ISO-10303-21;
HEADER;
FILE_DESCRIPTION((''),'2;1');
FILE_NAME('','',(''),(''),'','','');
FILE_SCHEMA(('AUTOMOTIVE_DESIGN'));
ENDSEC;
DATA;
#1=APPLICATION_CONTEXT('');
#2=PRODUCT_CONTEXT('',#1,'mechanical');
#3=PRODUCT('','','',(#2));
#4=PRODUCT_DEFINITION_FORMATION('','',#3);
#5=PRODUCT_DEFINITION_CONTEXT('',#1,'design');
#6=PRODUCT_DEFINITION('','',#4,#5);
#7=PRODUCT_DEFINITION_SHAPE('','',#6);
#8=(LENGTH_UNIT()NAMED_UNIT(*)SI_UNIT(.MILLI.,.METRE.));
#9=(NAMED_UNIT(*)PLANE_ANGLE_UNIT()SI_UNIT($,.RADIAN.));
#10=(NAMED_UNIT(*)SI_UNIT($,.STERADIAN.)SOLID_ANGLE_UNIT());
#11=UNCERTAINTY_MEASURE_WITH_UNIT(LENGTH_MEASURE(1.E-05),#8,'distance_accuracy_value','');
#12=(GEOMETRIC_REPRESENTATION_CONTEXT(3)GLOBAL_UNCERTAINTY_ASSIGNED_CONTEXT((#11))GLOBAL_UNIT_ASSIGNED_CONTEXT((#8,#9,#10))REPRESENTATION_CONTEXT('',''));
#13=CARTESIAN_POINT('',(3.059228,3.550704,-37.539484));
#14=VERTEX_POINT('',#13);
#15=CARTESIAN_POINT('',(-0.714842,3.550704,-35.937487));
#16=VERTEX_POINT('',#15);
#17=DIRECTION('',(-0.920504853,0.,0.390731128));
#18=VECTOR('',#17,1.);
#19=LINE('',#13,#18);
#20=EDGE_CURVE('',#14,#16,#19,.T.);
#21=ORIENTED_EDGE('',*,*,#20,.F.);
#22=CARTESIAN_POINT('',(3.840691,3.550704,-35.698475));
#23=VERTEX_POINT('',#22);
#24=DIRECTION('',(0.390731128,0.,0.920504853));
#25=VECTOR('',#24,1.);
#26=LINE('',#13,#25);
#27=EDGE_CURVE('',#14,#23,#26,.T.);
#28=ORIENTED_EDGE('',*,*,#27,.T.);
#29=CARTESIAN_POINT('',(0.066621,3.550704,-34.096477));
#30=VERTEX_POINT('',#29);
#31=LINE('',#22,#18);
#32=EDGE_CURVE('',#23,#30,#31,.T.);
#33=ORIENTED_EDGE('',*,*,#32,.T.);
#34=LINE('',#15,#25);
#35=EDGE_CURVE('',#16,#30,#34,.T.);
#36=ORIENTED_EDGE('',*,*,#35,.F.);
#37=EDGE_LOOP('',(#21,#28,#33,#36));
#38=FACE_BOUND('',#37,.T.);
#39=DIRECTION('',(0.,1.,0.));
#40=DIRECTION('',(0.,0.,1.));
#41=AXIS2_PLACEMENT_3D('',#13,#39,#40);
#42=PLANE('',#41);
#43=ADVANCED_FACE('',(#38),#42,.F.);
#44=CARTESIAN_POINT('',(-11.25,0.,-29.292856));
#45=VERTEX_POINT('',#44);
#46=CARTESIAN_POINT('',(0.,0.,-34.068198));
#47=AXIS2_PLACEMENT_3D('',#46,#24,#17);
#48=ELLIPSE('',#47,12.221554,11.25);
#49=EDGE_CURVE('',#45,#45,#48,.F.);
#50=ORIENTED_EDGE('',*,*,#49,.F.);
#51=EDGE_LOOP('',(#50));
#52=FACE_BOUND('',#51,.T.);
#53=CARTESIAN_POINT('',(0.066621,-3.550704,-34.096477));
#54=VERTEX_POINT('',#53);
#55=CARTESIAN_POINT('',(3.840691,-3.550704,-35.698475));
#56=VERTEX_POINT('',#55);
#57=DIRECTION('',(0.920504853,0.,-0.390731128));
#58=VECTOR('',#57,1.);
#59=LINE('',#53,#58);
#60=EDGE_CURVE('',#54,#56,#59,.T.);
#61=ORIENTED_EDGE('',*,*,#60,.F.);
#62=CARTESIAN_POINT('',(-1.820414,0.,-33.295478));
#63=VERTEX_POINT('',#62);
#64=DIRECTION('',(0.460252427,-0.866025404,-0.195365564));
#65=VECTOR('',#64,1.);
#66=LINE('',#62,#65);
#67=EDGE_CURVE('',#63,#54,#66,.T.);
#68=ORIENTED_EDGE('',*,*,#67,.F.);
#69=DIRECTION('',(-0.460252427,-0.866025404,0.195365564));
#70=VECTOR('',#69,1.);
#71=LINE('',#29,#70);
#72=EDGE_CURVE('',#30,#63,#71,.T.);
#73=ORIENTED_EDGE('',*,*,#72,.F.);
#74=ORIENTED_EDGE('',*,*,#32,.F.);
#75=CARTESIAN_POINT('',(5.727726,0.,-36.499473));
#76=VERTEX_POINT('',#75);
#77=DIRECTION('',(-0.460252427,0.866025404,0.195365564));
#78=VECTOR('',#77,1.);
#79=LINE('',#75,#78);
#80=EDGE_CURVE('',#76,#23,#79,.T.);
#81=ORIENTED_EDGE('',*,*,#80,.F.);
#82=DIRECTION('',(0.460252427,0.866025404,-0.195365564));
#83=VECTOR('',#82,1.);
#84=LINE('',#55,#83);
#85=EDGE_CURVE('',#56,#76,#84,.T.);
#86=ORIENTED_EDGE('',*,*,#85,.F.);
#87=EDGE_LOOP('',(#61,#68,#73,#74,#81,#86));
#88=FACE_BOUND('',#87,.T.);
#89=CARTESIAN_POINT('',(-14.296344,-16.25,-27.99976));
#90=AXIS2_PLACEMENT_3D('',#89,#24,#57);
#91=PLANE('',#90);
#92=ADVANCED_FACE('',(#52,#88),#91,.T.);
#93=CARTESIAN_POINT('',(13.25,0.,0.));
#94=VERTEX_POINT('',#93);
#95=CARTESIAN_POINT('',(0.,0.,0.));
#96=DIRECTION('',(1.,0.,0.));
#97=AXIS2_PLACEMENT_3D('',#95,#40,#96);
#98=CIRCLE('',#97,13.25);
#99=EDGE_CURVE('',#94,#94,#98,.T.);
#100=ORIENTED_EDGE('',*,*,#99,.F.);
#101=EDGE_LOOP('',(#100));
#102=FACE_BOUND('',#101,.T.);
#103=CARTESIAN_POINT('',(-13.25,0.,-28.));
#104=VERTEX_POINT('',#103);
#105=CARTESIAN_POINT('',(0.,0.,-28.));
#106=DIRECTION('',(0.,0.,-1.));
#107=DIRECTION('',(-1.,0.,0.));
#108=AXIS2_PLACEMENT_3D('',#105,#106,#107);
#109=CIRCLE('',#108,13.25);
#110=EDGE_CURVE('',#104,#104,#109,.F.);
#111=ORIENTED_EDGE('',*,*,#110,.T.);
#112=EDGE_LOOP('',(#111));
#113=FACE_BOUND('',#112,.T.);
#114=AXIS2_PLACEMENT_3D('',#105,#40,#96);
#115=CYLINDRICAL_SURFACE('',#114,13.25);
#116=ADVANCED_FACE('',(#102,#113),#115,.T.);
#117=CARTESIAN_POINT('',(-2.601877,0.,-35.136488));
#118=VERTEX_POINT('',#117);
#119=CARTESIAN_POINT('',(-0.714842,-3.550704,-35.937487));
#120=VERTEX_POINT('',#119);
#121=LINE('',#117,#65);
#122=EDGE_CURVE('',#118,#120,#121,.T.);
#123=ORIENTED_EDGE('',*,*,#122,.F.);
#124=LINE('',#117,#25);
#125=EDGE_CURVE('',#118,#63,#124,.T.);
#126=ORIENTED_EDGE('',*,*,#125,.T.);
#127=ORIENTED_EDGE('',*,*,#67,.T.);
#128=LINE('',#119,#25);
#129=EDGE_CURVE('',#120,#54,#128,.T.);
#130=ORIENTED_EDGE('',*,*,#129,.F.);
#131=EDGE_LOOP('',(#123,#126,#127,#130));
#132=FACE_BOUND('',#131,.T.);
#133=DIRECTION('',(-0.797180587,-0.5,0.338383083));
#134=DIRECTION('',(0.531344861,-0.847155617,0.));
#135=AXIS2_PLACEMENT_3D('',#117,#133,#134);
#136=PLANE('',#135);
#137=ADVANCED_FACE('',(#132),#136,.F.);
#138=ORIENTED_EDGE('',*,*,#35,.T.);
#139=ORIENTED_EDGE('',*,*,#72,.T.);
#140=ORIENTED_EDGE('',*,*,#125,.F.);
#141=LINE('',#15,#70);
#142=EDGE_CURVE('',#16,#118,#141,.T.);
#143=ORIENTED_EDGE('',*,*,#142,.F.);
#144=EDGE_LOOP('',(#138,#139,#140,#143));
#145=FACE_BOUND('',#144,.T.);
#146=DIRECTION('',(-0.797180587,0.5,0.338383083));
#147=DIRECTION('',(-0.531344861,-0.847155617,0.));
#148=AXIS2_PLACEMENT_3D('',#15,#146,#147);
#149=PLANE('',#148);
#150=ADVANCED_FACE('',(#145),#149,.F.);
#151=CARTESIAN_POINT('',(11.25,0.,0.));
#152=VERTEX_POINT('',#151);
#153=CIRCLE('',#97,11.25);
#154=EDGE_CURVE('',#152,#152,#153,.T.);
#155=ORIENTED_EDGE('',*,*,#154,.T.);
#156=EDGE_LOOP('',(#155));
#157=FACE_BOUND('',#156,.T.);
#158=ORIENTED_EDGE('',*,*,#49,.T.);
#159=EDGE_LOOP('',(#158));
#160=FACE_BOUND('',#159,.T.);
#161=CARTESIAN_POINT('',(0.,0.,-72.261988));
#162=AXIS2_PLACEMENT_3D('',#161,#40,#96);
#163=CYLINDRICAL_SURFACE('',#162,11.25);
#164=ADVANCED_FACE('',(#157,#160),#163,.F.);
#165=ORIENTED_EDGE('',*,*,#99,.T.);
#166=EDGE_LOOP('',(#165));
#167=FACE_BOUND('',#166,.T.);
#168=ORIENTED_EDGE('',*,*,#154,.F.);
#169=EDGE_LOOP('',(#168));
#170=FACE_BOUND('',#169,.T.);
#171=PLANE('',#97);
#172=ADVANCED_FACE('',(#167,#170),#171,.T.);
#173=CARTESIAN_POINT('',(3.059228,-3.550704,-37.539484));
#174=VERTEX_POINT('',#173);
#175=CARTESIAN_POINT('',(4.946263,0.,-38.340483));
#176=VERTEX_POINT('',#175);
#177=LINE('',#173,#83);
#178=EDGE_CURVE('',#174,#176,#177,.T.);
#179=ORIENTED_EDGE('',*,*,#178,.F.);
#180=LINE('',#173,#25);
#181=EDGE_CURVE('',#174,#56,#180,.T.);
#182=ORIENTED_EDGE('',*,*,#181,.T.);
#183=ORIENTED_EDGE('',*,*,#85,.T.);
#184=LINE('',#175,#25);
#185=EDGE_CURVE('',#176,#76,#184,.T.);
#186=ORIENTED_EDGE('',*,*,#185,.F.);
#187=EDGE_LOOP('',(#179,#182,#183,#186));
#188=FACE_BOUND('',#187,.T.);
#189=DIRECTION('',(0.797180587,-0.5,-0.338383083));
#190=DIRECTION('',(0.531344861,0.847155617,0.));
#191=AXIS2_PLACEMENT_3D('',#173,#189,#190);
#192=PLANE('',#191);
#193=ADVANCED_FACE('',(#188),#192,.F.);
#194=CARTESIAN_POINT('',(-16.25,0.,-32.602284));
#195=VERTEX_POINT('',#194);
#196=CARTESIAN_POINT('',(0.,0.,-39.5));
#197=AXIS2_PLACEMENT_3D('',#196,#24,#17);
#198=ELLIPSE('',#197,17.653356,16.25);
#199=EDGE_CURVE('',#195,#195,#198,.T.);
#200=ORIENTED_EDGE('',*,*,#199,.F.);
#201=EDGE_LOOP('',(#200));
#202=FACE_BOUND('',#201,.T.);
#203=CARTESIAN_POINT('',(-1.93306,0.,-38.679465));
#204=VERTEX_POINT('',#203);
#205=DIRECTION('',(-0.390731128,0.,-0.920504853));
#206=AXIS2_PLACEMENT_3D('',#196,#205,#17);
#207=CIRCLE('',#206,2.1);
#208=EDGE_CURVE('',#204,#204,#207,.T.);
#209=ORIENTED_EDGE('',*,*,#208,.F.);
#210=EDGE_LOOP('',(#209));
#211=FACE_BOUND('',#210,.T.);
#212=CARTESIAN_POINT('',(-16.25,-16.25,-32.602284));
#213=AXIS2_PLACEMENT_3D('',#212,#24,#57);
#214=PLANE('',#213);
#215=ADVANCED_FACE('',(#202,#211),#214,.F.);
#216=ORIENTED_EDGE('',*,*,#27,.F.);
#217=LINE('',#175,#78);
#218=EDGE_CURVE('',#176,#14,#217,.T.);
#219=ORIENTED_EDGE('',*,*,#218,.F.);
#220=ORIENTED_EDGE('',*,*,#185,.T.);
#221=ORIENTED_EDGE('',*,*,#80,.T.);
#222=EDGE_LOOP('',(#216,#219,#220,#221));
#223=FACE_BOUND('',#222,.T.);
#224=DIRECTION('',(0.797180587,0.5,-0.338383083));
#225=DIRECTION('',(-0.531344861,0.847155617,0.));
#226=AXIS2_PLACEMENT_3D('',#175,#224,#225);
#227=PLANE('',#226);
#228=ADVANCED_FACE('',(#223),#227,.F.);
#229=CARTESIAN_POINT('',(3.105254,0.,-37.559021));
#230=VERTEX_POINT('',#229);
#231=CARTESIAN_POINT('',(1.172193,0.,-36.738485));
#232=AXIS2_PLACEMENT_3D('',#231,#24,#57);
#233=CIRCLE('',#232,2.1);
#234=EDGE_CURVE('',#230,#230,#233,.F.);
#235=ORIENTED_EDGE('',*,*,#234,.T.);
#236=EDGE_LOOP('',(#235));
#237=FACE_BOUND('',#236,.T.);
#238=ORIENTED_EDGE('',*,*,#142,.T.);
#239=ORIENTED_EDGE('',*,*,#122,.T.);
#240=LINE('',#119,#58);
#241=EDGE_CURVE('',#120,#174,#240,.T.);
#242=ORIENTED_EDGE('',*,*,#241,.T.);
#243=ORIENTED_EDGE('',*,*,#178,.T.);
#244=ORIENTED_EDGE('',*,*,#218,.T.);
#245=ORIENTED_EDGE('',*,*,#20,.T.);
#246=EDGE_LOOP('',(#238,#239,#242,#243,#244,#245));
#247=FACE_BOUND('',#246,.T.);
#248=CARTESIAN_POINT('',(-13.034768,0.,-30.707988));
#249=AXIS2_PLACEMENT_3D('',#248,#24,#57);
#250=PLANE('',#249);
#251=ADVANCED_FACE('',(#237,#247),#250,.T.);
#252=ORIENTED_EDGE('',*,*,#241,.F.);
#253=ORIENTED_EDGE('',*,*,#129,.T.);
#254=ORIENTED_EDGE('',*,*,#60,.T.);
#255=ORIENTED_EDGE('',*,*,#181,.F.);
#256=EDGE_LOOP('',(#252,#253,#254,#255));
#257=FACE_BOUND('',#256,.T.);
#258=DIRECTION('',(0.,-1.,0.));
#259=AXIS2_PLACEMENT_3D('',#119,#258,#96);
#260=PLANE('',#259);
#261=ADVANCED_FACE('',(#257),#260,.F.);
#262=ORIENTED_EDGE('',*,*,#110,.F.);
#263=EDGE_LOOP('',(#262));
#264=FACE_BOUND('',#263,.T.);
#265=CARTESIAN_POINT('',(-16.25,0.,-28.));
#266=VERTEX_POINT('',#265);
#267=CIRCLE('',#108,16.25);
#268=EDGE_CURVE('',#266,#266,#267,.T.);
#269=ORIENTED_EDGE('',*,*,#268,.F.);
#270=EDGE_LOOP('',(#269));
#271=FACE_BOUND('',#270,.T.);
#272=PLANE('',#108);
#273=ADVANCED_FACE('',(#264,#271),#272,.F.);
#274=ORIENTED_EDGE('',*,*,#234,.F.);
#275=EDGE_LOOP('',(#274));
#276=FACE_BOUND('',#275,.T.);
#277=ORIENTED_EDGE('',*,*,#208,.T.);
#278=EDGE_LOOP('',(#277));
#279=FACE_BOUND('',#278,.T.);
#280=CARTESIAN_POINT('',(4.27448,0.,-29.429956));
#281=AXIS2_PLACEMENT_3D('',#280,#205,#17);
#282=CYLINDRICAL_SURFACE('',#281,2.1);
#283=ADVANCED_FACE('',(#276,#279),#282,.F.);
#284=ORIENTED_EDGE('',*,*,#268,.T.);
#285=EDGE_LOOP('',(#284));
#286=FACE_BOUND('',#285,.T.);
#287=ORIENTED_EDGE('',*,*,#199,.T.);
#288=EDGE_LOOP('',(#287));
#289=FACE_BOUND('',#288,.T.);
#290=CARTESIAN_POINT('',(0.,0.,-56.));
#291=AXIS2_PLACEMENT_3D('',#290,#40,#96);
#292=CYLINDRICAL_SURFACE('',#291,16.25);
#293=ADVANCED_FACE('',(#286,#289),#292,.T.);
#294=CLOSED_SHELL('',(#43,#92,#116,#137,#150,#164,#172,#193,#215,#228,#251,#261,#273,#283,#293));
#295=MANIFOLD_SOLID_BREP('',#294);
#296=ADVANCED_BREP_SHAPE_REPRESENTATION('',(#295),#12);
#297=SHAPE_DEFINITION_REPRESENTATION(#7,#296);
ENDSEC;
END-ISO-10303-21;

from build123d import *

# Parameters (mm, degrees)
SKETCH2_R               = 13.25
BOSS_EXTRUDE1_DEPTH     = 28
SKETCH3_R               = 16.25
BOSS_EXTRUDE2_DEPTH     = 28
CUT_EXTRUDE1_DEPTH      = 61.532016322
CUT_EXTRUDE1_DEPTH_BACK = 61.532016322
CUT_EXTRUDE2_REACH      = 53.777
SKETCH5_R               = 11.25
SKETCH6_R               = 2.1
CUT_EXTRUDE3_DEPTH      = 5
CUT_EXTRUDE4_DEPTH      = 2


with BuildPart() as part:
    # Sketch2 → Boss-Extrude1 (new body)
    with BuildSketch(Plane.XY):
        Circle(SKETCH2_R)
    extrude(amount=-BOSS_EXTRUDE1_DEPTH)

    # Sketch3 → Boss-Extrude2 (add)
    with BuildSketch(Plane(origin=(0, 0, -28), x_dir=(-1, 0, 0), z_dir=(0, 0, -1))):
        Circle(SKETCH3_R)
    extrude(amount=BOSS_EXTRUDE2_DEPTH)

    # Sketch4 → Cut-Extrude1 (cut, two sides: drawn at the far end of the back side and taken through both)
    with BuildSketch(Plane(origin=(0, 0, 0), x_dir=(1, 0, 0), z_dir=(0, 1, 0)).offset(-CUT_EXTRUDE1_DEPTH_BACK)):
        Polygon((-16.25, 32.602284237), (16.25, 46.397715763), (16.25, 56), (-16.25, 56), align=None)
    extrude(amount=CUT_EXTRUDE1_DEPTH + CUT_EXTRUDE1_DEPTH_BACK, mode=Mode.SUBTRACT)

    # Cut-Extrude2: up to this plane
    cut_extrude2_end = Plane(origin=(-14.296344358, -16.25, -27.999759969), z_dir=(0.3907311284892747, 0, 0.9205048534524399))
    # Sketch5 → Cut-Extrude2 (cut, up to the surface)
    with BuildSketch(Plane.XY, mode=Mode.PRIVATE) as cut_extrude2_sk1:
        Circle(SKETCH5_R)
    cut_extrude2_tool1 = split(extrude(cut_extrude2_sk1.sketch, amount=-CUT_EXTRUDE2_REACH, mode=Mode.PRIVATE), bisect_by=cut_extrude2_end, keep=Keep.BOTH, mode=Mode.PRIVATE)
    add(cut_extrude2_tool1.solids().sort_by_distance((0, 0, 0))[0], mode=Mode.SUBTRACT)

    # Sketch6 → Cut-Extrude3 (cut)
    with BuildSketch(Plane(origin=(-14.206961057, 0, -33.469502817), x_dir=(-0.9205048534524399, 0, 0.3907311284892748), z_dir=(-0.3907311284892748, 0, -0.9205048534524399))):
        with Locations((-15.433879575, 0)):
            Circle(SKETCH6_R)
    extrude(amount=-CUT_EXTRUDE3_DEPTH, mode=Mode.SUBTRACT)

    # Sketch7 → Cut-Extrude4 (cut)
    with BuildSketch(Plane(origin=(-12.253305414, 0, -28.866978549), x_dir=(0.9205048534524399, 0, -0.3907311284892748), z_dir=(0.3907311284892748, 0, 0.9205048534524399))):
        Polygon((19.533879575, 0), (17.483879575, 3.550704156), (13.383879575, 3.550704156), (11.333879575, 0), (13.383879575, -3.550704156), (17.483879575, -3.550704156), align=None)
    extrude(amount=-CUT_EXTRUDE4_DEPTH, mode=Mode.SUBTRACT)


solid = part.part
